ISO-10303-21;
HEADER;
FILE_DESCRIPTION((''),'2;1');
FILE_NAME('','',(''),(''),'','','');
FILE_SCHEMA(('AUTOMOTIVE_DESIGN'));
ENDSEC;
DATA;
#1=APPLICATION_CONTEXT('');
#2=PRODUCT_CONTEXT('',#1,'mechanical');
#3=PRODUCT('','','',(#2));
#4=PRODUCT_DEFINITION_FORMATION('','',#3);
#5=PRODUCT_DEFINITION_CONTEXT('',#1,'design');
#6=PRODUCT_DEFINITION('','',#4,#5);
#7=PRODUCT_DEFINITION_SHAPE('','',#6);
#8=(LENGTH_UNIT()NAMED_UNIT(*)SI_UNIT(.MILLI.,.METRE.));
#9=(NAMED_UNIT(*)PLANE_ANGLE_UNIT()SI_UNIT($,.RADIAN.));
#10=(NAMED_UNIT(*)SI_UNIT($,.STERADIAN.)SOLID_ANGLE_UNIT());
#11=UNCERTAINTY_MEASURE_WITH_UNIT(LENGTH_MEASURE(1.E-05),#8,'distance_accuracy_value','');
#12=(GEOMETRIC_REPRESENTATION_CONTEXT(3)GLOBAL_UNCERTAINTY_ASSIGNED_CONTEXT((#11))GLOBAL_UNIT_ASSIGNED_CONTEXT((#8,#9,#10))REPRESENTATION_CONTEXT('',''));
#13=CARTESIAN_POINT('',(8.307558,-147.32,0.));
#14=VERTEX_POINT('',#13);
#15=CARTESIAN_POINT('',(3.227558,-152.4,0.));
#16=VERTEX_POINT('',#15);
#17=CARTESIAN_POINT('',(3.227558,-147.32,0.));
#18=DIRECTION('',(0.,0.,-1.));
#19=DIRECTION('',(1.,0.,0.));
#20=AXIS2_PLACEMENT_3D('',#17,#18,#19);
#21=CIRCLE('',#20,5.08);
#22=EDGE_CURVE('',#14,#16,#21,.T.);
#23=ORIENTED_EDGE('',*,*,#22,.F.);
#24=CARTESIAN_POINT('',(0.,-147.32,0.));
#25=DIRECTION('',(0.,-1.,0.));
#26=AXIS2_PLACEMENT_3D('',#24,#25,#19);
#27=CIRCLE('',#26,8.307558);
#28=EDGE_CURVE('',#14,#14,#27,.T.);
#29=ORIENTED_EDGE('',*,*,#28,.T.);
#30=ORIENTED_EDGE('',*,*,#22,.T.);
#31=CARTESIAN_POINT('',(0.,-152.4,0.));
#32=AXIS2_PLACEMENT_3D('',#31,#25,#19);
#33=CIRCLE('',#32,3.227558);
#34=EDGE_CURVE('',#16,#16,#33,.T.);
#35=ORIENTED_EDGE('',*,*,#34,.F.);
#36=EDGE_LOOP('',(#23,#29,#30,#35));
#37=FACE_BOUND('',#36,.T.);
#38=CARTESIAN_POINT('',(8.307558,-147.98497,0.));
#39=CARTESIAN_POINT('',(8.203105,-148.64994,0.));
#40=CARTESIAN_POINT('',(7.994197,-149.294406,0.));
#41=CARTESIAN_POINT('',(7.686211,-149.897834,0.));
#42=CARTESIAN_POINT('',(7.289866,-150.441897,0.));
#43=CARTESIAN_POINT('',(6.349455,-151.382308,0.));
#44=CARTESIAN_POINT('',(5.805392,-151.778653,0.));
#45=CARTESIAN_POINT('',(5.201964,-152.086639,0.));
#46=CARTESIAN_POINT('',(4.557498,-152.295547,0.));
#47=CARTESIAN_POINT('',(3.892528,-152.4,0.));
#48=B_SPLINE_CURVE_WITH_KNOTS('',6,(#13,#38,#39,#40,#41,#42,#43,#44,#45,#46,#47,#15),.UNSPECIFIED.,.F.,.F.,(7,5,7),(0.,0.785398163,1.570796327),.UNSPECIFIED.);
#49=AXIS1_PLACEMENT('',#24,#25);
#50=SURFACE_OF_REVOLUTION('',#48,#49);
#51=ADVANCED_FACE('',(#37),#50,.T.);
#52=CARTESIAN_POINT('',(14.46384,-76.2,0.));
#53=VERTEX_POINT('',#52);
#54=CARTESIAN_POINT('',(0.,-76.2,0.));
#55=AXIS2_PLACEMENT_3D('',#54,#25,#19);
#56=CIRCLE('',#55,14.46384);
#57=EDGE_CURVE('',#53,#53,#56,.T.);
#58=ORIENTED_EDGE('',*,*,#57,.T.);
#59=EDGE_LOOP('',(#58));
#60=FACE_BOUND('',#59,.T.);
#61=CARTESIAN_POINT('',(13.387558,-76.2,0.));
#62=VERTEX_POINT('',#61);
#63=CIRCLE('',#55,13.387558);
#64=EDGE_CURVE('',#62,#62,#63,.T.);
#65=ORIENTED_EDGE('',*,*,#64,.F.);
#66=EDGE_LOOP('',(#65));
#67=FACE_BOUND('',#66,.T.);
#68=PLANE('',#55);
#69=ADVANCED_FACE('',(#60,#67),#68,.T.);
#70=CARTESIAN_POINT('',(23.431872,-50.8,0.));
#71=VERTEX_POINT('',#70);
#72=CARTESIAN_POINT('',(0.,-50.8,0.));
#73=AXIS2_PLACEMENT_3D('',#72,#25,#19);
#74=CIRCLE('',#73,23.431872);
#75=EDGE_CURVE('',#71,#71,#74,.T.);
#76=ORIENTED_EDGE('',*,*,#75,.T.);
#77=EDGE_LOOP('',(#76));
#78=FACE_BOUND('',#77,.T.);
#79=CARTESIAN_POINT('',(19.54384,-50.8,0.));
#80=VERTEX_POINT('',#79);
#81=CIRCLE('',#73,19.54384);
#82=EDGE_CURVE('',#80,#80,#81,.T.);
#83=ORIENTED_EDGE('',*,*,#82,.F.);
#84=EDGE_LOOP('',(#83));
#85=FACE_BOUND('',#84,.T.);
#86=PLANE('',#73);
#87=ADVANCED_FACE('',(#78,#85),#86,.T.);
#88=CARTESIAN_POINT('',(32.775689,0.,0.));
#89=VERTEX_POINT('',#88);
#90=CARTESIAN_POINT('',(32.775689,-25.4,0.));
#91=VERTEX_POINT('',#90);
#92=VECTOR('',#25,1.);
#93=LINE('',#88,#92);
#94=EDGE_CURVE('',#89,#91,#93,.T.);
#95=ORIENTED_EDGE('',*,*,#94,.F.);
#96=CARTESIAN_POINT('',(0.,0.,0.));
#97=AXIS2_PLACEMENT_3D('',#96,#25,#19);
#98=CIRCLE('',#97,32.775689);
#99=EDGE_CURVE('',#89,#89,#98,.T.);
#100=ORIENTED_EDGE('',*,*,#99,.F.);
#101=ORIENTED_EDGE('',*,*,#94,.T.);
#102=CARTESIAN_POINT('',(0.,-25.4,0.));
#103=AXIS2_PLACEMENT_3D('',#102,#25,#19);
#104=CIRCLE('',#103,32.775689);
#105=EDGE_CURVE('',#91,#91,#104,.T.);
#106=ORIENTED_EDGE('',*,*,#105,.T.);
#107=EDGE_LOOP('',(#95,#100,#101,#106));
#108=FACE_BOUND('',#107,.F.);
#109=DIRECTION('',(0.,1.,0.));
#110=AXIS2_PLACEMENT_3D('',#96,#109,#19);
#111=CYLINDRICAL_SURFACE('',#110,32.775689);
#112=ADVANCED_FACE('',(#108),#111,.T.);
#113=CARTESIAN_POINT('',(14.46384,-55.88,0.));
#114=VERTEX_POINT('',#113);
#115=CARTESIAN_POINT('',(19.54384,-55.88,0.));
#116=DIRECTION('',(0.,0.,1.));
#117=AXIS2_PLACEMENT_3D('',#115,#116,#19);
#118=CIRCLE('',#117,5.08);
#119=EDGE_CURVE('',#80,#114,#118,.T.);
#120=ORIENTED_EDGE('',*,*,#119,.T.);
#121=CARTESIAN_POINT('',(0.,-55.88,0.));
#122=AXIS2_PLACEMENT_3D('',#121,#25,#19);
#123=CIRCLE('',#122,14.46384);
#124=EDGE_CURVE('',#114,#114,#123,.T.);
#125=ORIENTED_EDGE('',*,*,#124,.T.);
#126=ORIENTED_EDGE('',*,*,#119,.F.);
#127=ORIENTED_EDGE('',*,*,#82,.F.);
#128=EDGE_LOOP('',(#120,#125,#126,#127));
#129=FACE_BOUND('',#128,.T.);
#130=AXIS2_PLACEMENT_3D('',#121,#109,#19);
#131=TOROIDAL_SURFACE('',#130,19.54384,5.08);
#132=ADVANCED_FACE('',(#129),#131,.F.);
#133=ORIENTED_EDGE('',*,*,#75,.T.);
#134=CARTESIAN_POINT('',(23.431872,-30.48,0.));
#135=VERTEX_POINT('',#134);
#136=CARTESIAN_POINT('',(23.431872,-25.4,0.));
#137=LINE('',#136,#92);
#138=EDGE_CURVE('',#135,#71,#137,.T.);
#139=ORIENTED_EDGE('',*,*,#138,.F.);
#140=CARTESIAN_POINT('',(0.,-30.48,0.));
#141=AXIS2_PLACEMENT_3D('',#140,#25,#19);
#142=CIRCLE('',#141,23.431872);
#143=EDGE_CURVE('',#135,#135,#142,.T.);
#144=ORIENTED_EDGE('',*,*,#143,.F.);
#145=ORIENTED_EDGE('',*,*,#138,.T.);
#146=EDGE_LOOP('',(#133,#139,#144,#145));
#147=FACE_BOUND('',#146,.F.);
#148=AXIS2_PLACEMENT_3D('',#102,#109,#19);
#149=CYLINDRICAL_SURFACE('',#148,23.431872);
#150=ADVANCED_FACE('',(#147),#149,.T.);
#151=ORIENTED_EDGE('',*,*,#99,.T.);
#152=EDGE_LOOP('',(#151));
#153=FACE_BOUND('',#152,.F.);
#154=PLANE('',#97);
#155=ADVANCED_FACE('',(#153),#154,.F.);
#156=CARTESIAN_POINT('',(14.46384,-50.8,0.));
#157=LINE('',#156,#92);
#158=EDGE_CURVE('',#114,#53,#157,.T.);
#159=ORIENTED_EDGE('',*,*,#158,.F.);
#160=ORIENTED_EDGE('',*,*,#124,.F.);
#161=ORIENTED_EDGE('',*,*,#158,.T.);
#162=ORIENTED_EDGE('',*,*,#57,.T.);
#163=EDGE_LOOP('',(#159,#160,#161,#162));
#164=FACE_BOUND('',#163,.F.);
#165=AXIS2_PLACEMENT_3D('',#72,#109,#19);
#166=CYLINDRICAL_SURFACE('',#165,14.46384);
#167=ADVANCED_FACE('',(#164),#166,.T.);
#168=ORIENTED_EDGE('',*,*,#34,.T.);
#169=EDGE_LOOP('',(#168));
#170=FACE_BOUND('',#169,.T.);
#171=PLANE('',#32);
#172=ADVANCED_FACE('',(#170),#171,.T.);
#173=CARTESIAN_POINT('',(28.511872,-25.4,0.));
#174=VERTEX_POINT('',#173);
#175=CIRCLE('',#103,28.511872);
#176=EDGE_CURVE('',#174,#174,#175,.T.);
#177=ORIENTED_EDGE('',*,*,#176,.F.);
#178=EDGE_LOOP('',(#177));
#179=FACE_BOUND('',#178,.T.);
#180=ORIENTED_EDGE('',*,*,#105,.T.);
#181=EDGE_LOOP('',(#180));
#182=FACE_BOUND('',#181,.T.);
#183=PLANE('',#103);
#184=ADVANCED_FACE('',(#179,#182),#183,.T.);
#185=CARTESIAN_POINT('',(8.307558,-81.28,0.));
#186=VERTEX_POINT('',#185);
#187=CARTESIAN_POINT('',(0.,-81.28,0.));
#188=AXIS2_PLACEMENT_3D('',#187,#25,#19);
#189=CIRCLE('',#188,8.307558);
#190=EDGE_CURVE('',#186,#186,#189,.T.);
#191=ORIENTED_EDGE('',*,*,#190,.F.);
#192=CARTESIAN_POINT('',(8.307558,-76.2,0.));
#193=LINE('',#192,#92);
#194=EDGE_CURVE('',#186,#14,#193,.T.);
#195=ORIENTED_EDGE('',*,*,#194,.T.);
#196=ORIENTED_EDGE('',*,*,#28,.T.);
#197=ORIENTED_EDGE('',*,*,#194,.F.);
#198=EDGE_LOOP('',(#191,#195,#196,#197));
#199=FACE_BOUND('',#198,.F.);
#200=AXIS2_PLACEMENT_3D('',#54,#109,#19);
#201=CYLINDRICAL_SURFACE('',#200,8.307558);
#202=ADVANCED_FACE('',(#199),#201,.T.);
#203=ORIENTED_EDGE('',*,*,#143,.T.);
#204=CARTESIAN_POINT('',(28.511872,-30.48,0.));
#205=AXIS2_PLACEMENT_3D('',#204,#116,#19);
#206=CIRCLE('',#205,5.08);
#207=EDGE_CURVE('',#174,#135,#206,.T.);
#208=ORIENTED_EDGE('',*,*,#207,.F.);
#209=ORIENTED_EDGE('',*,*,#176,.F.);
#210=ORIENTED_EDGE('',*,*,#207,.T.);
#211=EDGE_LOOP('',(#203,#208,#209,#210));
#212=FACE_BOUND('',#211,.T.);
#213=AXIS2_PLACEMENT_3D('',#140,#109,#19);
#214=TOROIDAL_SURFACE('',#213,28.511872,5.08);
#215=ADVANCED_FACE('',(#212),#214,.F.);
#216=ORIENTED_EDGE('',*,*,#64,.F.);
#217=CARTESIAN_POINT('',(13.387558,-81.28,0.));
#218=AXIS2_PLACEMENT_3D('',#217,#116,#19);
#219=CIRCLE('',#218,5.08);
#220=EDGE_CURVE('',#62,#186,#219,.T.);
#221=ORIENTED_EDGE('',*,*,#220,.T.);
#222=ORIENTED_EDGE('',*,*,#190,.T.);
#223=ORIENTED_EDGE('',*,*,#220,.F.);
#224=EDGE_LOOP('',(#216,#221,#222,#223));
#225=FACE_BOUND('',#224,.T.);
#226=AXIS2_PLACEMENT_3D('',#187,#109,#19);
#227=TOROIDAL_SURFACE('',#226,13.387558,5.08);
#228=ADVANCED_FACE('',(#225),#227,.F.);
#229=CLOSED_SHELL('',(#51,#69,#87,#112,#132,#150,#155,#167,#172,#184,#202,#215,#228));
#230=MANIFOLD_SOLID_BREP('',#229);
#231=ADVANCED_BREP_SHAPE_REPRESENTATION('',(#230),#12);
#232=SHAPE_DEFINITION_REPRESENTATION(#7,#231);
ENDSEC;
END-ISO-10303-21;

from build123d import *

# Parameters (mm, degrees)
F0_R     = 32.775689
F1_DEPTH = 25.4
F2_R     = 23.431872
F3_DEPTH = 25.4
F4_R     = 14.46384
F5_DEPTH = 25.4
F6_R     = 8.307558
F7_DEPTH = 76.2
F8_R     = 5.08


with BuildPart() as f1:
    # F0 (on Front) → F1 (new body)
    with BuildSketch(Plane.XZ):
        Circle(F0_R)
    extrude(amount=F1_DEPTH)

    # F2 (on face) → F3 (join)
    with BuildSketch(Plane.XZ.offset(25.4)):
        Circle(F2_R)
    extrude(amount=F3_DEPTH)

    # F4 (on face) → F5 (join)
    with BuildSketch(Plane.XZ.offset(50.8)):
        Circle(F4_R)
    extrude(amount=F5_DEPTH)

    # F6 (on face) → F7 (join)
    with BuildSketch(Plane.XZ.offset(76.2)):
        Circle(F6_R)
    extrude(amount=F7_DEPTH)

    # F8
    f8_edges = [f1.edges().sort_by_distance(p)[0] for p in [
        (-23.431872, -25.4, 0),
        (-14.46384, -50.8, 0),
        (-8.307558, -76.2, 0),
        (-8.307558, -152.4, 0),
    ]]
    fillet(f8_edges, radius=F8_R)


solid = f1.part
